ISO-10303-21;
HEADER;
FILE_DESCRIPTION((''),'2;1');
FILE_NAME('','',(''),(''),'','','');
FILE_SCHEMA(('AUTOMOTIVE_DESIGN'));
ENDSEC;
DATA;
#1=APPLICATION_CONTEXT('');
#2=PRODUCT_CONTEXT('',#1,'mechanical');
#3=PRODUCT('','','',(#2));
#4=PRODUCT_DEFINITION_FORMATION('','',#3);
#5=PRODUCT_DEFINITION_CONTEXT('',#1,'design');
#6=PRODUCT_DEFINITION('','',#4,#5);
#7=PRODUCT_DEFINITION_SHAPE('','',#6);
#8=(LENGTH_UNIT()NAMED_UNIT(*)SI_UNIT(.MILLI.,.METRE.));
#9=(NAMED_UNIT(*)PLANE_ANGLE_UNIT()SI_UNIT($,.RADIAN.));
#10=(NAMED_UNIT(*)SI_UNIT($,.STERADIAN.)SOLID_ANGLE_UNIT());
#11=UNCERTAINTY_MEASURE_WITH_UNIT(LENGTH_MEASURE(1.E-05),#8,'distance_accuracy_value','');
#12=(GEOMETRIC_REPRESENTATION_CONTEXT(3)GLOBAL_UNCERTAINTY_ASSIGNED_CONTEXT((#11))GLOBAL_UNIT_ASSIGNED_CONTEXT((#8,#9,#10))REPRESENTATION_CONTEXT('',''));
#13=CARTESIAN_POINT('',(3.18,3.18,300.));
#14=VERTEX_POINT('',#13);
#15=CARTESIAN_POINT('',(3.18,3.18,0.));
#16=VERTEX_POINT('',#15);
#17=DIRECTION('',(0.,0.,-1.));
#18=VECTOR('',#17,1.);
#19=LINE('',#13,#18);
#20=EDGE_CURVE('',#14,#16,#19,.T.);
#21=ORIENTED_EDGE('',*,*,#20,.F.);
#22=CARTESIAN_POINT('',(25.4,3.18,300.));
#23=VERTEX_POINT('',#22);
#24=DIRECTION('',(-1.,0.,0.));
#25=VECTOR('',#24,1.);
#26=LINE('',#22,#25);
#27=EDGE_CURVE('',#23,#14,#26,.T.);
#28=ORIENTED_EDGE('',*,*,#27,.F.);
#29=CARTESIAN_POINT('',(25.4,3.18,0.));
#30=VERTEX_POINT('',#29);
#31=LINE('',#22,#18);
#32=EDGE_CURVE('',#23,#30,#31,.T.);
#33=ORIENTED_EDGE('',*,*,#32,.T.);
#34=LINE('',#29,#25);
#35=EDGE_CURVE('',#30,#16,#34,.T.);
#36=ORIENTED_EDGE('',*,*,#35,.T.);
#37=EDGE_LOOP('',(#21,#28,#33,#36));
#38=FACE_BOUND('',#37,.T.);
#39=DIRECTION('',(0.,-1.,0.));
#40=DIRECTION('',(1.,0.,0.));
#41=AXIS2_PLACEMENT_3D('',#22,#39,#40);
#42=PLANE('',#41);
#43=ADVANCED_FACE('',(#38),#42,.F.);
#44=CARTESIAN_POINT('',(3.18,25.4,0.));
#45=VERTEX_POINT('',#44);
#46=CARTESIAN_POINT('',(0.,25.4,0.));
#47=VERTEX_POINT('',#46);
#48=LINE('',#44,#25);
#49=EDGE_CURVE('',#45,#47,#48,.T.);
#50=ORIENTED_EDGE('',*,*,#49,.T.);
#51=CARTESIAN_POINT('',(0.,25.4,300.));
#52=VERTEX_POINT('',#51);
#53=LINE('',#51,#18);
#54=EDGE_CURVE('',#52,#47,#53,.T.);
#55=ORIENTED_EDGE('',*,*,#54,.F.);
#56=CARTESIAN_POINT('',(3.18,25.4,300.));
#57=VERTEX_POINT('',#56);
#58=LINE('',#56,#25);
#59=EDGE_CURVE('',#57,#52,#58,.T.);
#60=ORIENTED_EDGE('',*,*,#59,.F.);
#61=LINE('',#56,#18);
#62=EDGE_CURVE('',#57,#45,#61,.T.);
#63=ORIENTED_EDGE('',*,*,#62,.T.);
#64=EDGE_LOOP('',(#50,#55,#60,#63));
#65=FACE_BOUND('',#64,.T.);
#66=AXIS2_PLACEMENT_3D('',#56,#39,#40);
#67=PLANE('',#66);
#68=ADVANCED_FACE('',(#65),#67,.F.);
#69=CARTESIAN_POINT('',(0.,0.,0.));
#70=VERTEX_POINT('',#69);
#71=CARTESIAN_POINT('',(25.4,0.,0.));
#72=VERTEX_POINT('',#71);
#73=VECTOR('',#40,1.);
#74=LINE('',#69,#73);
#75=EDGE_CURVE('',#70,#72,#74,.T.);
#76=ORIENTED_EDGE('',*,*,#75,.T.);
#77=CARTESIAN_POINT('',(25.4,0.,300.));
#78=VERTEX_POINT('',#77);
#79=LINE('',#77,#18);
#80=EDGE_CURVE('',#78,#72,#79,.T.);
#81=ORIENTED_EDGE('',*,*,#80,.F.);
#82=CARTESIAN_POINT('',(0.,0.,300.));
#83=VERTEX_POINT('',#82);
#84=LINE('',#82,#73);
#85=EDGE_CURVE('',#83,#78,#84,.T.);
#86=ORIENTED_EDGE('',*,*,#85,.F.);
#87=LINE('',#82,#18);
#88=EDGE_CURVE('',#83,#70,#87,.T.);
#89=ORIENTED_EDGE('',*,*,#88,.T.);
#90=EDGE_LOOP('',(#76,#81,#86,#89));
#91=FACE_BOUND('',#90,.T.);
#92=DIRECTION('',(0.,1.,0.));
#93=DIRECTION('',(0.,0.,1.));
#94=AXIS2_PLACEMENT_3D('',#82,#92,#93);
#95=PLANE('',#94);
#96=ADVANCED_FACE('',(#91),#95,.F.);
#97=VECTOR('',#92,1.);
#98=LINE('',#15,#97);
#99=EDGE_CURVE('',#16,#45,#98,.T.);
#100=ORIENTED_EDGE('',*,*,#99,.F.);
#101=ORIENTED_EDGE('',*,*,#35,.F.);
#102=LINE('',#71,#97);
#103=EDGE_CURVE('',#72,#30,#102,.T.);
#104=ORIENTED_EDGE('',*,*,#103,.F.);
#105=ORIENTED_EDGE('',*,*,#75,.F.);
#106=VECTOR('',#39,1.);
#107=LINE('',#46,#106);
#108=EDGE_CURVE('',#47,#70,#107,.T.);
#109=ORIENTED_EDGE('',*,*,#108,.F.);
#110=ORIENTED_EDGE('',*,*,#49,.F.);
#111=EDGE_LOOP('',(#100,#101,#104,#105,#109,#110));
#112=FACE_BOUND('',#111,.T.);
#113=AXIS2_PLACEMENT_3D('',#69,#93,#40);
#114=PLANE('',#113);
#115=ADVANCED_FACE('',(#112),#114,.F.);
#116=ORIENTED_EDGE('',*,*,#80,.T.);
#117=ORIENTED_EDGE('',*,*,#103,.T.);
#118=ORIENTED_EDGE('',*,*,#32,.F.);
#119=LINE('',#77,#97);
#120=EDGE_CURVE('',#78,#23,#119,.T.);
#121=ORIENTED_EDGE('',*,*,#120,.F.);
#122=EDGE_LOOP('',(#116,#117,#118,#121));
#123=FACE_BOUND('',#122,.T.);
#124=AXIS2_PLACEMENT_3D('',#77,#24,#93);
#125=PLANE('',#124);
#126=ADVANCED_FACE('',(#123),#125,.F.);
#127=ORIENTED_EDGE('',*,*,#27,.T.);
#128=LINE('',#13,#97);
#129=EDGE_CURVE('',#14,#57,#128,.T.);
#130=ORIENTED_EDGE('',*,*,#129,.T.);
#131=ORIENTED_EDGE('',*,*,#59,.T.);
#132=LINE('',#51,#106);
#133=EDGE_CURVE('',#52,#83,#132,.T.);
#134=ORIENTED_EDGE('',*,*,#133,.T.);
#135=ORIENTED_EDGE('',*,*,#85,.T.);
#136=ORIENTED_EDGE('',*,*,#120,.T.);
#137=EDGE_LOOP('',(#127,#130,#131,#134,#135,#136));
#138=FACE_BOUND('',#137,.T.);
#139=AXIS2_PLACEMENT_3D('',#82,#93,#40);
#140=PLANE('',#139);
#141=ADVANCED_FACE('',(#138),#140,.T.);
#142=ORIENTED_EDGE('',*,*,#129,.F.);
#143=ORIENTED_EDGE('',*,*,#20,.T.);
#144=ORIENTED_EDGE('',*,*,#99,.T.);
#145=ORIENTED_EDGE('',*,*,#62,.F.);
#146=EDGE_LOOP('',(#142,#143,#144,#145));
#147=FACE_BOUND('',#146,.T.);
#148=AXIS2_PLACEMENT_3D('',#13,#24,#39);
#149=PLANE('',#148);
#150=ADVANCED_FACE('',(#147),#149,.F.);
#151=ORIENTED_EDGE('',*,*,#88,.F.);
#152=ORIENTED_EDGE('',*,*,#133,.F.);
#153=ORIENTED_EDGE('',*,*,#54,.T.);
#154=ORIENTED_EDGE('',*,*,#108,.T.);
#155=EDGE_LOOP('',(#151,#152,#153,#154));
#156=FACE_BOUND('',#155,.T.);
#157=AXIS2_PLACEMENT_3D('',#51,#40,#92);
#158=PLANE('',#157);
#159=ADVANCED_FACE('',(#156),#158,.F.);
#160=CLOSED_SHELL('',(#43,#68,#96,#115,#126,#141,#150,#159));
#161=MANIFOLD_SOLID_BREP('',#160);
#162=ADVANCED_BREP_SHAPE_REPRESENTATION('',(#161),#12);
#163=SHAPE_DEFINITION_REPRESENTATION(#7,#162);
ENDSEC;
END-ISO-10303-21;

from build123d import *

# Parameters (mm, degrees)
RESSALTO_EXTRUS_O1_DEPTH = 300


with BuildPart() as part:
    # Esboço1 → Ressalto-extrusão1 (new body)
    with BuildSketch(Plane.XY):
        Polygon((0, 0), (25.4, 0), (25.4, 3.18), (3.18, 3.18), (3.18, 25.4), (0, 25.4), align=None)
    extrude(amount=RESSALTO_EXTRUS_O1_DEPTH)


solid = part.part
